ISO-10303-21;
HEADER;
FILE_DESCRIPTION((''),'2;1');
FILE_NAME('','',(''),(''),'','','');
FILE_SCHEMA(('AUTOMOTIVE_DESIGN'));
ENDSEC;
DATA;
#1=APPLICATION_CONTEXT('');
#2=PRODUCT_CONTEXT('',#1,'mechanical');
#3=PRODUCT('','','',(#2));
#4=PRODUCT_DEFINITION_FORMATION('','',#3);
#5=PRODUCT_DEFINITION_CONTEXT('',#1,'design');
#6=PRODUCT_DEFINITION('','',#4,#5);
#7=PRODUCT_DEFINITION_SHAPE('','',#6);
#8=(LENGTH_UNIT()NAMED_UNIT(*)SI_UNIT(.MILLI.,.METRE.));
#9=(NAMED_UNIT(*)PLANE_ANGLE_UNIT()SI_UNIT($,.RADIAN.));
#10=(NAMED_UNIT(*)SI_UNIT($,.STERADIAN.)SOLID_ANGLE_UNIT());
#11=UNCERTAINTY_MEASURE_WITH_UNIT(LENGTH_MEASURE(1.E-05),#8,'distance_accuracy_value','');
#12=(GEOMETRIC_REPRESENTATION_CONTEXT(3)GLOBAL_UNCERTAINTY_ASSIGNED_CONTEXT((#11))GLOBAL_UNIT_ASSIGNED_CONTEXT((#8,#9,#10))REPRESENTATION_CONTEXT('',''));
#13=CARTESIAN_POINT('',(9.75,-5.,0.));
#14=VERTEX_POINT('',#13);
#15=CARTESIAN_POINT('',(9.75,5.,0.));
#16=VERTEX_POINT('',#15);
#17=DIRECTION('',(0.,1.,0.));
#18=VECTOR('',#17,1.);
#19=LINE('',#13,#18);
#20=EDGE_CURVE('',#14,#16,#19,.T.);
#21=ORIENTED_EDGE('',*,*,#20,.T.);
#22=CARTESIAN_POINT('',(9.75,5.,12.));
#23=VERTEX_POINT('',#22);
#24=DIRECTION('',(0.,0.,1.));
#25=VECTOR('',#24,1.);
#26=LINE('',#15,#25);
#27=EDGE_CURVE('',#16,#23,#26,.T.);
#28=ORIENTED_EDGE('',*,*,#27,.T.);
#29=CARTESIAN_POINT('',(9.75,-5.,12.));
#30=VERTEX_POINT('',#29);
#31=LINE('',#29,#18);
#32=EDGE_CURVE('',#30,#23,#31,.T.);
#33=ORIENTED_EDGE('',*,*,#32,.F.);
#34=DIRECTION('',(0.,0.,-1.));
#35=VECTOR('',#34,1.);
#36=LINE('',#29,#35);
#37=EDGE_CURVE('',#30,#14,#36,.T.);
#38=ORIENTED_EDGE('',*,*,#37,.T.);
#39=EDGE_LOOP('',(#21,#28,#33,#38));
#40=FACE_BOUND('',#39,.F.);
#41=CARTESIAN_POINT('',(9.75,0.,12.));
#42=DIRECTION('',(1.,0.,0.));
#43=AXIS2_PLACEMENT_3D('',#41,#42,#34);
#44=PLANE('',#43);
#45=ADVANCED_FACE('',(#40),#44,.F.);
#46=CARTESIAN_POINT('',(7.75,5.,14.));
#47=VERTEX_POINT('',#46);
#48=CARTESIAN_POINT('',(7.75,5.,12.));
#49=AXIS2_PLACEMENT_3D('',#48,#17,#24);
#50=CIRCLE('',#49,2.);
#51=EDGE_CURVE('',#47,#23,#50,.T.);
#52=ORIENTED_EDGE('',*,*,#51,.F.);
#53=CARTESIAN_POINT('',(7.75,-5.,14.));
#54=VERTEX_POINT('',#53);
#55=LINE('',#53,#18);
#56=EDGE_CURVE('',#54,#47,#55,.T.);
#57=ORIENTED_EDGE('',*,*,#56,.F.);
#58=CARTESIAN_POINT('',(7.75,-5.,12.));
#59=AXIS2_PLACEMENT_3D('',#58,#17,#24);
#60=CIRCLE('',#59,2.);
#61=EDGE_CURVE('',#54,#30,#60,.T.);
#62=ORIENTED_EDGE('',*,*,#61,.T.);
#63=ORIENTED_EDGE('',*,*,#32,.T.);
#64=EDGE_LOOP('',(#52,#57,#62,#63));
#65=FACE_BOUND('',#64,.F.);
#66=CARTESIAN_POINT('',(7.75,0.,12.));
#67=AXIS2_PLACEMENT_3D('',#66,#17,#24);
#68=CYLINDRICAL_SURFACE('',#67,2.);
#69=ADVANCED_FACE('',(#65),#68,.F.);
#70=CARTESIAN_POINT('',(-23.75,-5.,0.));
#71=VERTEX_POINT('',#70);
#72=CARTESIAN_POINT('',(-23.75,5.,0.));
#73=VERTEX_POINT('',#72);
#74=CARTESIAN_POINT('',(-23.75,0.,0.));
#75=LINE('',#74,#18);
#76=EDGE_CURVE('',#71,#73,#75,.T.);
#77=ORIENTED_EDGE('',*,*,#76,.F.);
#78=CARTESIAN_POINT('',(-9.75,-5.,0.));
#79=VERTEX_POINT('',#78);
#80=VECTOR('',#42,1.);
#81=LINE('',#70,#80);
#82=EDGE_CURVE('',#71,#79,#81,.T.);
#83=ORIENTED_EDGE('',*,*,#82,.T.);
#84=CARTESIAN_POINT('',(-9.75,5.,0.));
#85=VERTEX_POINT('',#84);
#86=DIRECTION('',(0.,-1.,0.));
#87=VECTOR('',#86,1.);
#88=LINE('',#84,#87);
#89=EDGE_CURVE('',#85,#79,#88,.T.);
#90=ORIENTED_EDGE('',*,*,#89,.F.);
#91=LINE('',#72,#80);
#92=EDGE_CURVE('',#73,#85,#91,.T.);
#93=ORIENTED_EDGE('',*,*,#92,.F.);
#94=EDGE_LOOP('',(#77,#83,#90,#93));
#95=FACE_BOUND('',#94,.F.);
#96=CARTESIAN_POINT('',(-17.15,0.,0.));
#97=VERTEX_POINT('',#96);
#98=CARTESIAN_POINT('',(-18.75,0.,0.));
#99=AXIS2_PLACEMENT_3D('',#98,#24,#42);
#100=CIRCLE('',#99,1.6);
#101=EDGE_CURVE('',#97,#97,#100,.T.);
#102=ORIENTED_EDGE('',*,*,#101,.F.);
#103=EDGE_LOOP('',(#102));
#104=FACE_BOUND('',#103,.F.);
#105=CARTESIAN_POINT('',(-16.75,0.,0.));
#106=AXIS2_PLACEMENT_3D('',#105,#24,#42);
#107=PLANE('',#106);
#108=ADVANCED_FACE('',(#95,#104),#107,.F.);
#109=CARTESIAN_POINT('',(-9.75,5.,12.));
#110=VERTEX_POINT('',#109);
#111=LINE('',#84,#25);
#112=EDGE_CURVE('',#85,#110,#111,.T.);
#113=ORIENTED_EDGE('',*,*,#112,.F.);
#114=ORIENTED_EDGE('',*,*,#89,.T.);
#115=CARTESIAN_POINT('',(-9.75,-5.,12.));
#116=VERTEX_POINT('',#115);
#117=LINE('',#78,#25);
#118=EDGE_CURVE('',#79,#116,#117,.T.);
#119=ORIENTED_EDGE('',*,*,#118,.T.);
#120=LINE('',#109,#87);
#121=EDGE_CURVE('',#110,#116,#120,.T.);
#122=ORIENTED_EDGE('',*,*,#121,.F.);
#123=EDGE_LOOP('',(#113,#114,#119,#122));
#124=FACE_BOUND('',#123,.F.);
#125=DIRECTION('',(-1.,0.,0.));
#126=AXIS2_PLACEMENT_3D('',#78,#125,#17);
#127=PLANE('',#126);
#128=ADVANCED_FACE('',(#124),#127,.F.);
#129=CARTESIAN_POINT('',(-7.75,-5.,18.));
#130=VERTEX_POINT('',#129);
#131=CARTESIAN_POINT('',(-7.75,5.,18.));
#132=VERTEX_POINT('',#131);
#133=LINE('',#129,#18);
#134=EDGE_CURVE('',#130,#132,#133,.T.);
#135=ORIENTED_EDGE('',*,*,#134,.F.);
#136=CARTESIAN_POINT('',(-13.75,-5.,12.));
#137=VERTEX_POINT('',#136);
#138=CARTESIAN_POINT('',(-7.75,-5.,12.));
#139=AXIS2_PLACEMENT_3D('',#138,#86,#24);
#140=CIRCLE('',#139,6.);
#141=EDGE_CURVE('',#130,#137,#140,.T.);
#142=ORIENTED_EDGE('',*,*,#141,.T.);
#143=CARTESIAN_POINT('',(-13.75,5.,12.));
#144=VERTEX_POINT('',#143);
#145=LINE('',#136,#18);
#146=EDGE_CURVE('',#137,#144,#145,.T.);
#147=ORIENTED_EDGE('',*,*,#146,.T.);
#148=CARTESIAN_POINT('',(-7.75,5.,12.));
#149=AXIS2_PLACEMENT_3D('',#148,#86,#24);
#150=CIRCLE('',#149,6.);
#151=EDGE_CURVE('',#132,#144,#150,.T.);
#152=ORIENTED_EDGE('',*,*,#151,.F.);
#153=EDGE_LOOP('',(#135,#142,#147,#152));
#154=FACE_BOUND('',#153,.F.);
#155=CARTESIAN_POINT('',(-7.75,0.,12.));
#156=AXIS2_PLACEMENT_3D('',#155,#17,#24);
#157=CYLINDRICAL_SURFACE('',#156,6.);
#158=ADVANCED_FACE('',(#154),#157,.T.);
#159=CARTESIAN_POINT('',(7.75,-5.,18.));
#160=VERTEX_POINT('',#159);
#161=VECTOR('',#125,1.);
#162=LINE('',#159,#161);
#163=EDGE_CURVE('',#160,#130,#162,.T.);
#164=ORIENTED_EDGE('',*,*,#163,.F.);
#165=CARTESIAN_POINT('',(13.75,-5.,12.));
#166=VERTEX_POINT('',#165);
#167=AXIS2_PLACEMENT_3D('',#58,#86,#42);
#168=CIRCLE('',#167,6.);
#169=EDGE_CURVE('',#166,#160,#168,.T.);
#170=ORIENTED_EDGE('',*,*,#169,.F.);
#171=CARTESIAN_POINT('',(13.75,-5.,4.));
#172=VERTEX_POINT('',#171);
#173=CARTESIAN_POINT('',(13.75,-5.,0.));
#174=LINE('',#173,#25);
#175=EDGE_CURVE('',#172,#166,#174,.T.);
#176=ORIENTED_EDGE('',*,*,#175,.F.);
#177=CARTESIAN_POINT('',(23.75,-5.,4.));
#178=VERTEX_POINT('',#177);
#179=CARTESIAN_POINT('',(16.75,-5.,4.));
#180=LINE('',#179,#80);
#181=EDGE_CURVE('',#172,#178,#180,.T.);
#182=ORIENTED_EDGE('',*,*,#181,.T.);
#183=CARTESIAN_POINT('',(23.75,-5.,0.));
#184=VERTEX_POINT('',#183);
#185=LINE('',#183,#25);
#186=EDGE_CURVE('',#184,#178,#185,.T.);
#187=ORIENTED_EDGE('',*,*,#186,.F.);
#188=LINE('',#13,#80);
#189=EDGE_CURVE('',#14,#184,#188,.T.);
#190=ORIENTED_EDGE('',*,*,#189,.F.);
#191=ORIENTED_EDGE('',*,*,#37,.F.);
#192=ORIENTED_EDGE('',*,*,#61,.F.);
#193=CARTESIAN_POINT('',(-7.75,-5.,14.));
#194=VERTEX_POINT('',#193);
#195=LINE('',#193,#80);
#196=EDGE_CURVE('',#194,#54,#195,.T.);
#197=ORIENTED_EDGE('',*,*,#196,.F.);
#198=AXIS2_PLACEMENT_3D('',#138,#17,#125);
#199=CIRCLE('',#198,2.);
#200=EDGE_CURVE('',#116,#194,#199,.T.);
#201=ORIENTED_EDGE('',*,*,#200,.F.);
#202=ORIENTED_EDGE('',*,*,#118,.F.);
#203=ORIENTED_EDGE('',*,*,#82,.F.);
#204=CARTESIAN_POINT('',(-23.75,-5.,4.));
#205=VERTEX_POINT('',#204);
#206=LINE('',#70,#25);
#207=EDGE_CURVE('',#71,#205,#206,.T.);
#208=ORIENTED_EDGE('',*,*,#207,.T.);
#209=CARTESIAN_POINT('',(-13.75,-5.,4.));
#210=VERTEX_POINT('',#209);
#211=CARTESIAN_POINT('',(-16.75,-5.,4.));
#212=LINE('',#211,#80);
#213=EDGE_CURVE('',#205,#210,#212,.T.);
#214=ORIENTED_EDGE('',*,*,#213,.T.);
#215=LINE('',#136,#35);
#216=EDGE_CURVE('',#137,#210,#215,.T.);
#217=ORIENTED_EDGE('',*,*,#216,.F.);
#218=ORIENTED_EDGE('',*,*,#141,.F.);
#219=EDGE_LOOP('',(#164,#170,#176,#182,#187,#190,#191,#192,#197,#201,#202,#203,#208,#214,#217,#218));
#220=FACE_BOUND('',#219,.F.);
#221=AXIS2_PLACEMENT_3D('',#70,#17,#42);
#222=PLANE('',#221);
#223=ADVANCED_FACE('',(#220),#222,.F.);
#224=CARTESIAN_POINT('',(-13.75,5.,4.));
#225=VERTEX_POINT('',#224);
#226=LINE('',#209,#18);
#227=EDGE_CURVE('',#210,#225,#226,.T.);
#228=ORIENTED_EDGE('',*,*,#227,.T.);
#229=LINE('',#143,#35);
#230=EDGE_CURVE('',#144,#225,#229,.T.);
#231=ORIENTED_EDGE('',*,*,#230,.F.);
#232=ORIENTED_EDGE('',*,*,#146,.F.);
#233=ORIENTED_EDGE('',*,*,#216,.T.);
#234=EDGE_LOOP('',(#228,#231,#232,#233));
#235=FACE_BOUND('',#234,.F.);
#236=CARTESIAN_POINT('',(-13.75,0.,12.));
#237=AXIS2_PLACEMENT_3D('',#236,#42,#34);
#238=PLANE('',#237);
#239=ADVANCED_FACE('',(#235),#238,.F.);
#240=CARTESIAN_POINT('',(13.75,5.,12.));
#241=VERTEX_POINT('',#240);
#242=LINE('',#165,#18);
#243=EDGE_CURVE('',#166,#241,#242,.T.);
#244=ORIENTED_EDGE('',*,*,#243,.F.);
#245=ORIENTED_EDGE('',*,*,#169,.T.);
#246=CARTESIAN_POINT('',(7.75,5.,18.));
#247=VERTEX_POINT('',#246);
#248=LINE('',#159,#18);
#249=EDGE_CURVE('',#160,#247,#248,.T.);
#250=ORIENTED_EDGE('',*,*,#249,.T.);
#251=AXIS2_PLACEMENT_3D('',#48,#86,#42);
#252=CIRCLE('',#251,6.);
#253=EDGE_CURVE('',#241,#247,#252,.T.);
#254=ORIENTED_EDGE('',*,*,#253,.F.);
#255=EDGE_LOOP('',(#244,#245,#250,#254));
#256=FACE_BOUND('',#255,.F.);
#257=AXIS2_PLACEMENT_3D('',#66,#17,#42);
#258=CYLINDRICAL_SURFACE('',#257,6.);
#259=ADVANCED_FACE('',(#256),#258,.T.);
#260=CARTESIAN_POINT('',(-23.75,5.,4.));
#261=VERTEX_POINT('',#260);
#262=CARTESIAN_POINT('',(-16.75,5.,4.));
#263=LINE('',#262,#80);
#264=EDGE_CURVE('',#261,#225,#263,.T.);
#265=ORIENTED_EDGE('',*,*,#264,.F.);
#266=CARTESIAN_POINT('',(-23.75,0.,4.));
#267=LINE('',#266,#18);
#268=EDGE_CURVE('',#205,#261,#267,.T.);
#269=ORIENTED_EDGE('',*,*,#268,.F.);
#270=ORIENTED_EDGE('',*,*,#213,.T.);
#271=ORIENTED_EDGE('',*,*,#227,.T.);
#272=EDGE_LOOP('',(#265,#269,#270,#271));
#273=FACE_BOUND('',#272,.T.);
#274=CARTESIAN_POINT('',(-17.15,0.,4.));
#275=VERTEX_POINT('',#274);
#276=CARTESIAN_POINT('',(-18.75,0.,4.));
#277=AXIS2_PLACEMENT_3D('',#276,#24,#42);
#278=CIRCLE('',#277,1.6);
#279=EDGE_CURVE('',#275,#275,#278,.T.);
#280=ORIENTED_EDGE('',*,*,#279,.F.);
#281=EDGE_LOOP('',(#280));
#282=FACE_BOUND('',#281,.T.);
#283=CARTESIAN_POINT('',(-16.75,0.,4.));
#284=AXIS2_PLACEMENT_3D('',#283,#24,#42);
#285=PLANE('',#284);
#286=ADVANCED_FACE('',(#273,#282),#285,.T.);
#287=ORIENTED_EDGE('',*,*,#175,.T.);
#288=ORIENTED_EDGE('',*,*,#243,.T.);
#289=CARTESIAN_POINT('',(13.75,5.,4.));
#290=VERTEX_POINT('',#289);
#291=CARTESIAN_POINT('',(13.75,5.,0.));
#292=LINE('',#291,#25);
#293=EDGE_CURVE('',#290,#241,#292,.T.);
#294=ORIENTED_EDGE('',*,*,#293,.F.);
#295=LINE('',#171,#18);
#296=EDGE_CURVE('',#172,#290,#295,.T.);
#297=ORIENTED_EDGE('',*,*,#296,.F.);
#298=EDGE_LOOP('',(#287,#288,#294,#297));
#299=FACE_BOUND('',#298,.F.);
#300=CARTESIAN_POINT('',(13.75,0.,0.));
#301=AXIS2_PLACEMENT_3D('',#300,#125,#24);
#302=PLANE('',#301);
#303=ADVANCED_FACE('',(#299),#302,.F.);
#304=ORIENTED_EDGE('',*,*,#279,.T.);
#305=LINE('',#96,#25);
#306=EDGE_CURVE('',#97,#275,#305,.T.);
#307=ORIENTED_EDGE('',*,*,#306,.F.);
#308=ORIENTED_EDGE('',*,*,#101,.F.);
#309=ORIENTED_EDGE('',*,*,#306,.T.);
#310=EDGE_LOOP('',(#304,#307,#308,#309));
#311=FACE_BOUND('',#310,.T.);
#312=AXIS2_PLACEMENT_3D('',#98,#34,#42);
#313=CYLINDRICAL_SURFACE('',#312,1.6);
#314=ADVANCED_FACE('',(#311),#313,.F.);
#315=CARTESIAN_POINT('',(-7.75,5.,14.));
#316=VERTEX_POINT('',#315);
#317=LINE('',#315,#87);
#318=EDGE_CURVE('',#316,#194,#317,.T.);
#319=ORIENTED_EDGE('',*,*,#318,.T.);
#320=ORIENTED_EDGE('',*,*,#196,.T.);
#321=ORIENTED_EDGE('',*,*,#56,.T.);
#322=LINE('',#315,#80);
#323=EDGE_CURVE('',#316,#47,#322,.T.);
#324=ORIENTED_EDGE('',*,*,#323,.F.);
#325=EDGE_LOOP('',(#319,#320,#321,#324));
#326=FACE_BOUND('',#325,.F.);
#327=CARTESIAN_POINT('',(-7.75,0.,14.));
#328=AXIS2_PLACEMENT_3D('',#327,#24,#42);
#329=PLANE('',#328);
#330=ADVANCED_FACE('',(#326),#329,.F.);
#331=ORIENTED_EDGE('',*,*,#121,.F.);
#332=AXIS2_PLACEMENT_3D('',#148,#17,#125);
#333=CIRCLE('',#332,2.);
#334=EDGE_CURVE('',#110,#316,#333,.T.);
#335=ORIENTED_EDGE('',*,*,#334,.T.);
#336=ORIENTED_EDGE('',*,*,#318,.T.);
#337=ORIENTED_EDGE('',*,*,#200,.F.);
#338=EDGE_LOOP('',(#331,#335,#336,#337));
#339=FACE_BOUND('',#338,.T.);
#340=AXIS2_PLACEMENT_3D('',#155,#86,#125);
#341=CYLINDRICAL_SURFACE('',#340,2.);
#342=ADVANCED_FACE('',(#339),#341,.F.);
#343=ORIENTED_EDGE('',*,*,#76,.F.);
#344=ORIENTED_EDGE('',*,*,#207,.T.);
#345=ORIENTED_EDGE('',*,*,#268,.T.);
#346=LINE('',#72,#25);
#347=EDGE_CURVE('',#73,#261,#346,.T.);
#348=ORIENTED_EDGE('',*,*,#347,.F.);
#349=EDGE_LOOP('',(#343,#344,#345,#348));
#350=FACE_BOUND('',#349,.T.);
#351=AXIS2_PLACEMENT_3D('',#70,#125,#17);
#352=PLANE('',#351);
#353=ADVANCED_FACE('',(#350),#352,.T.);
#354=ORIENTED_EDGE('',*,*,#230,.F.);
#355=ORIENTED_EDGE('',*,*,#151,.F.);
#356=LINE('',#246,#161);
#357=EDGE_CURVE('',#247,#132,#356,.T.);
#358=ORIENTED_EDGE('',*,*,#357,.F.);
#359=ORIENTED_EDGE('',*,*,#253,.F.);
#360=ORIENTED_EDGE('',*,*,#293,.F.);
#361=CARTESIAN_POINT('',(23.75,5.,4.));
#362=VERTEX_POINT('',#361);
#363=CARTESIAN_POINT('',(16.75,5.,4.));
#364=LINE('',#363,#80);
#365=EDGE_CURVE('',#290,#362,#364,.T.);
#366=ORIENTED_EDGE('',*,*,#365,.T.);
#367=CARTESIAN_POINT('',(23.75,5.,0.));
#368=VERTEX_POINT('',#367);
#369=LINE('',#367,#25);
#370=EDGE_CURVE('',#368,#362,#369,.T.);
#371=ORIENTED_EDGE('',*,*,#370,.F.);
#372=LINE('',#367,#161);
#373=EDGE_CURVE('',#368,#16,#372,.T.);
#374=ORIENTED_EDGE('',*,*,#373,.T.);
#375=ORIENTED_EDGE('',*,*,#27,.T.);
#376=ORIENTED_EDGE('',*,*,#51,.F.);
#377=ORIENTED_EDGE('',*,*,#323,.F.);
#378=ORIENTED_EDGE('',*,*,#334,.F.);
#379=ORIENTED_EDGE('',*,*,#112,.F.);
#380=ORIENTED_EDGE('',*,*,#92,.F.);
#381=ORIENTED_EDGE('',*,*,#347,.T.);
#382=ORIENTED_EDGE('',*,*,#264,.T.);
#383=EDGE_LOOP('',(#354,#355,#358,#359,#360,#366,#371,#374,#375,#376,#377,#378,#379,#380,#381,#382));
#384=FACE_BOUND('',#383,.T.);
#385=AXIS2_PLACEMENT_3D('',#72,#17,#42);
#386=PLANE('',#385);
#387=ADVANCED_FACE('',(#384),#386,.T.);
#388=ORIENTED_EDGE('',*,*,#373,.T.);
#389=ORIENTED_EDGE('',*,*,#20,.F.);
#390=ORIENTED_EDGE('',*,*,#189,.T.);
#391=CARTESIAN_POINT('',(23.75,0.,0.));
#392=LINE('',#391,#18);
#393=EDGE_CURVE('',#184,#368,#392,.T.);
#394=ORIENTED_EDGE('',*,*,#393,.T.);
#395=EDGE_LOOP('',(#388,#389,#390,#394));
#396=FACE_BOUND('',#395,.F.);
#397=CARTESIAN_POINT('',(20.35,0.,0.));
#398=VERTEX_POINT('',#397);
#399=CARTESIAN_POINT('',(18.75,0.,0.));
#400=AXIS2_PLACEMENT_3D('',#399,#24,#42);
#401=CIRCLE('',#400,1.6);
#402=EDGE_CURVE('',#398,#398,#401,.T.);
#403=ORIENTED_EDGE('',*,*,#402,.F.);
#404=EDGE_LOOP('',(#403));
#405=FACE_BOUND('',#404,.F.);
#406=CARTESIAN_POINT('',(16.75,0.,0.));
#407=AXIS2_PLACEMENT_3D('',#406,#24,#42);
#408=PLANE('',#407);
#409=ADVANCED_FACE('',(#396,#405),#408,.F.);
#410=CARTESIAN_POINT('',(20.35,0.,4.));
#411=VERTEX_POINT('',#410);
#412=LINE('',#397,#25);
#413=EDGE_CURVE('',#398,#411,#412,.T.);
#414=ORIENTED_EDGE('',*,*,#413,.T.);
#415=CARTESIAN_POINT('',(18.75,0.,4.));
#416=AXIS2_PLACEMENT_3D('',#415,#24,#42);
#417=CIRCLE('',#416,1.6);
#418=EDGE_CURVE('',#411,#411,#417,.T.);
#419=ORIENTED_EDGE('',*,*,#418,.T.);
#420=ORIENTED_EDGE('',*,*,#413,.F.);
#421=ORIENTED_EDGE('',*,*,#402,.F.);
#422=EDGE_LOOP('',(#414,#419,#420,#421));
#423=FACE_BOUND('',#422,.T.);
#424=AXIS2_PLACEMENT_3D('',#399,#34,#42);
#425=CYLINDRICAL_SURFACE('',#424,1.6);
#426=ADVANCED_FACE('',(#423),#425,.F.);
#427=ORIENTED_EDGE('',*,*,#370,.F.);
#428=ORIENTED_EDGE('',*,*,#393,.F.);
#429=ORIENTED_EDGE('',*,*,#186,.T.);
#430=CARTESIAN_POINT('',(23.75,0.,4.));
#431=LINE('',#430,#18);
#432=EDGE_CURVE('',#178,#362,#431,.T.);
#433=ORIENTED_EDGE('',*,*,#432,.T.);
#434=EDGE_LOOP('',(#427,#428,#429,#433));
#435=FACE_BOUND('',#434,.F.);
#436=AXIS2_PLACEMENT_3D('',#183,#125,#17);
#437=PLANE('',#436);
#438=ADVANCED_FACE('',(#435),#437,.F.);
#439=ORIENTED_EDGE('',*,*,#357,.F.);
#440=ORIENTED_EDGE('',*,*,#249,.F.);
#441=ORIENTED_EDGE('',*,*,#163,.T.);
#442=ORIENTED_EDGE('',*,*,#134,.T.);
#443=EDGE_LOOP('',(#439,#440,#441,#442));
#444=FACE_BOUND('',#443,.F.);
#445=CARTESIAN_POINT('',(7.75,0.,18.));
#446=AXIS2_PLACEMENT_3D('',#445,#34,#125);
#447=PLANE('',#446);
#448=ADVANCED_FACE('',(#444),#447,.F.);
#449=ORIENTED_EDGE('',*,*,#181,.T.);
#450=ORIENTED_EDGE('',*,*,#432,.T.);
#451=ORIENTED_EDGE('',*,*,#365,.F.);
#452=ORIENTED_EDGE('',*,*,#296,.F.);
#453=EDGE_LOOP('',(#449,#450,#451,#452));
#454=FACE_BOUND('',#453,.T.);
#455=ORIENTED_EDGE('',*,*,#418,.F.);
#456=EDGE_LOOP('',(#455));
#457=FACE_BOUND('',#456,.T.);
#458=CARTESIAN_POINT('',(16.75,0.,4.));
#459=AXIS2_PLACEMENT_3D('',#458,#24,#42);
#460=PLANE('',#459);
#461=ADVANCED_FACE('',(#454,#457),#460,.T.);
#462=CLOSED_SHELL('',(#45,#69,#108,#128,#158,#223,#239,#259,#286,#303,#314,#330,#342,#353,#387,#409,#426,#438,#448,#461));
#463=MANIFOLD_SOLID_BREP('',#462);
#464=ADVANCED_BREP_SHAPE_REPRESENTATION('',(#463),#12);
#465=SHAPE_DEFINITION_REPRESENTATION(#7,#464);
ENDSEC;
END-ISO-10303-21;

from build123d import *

# Parameters (mm, degrees)
F1_W          = 14
F1_H          = 10
F1_R          = 1.6
F2_DEPTH      = 4
F4_DEPTH      = 5
F4_DEPTH_BACK = 5


with BuildPart() as f2:
    # F1 (on Top) → F2 (new body)
    with BuildSketch(Plane.XY):
        with Locations((-16.75, 0)):
            Rectangle(F1_W, F1_H)
        with Locations((-18.75, 0)):
            Circle(F1_R, mode=Mode.SUBTRACT)
    extrude(amount=F2_DEPTH)



with BuildPart() as f2b:
    # F1 (on Top) → F2, piece 2 (new body)
    with BuildSketch(Plane.XY):
        with Locations((16.75, 0)):
            Rectangle(F1_W, F1_H)
        with Locations((18.75, 0)):
            Circle(F1_R, mode=Mode.SUBTRACT)
    extrude(amount=F2_DEPTH)


with BuildPart() as f2_1:
    add(f2.part)

    add(f2b.part)  # F4 merges F2b
    # F3 (on Front) → F4 (join, two sides)
    with BuildSketch(Plane.XZ) as f4_sk:
        with BuildLine():
            Line((-13.75, 0), (-9.75, 0))
            Line((-9.75, 0), (-9.75, 12))
            ThreePointArc((-9.75, 12), (-9.1642135624, 13.4142135624), (-7.75, 14))
            Line((-7.75, 14), (7.75, 14))
            ThreePointArc((7.75, 14), (9.1642135624, 13.4142135624), (9.75, 12))
            Line((9.75, 12), (9.75, 0))
            Line((9.75, 0), (13.75, 0))
            Line((13.75, 0), (13.75, 12))
            ThreePointArc((13.75, 12), (11.9926406871, 16.2426406871), (7.75, 18))
            Line((7.75, 18), (-7.75, 18))
            ThreePointArc((-7.75, 18), (-11.9926406871, 16.2426406871), (-13.75, 12))
            Line((-13.75, 12), (-13.75, 0))
        make_face()
    extrude(amount=F4_DEPTH)
    extrude(f4_sk.sketch, amount=-F4_DEPTH_BACK)


solid = f2_1.part
